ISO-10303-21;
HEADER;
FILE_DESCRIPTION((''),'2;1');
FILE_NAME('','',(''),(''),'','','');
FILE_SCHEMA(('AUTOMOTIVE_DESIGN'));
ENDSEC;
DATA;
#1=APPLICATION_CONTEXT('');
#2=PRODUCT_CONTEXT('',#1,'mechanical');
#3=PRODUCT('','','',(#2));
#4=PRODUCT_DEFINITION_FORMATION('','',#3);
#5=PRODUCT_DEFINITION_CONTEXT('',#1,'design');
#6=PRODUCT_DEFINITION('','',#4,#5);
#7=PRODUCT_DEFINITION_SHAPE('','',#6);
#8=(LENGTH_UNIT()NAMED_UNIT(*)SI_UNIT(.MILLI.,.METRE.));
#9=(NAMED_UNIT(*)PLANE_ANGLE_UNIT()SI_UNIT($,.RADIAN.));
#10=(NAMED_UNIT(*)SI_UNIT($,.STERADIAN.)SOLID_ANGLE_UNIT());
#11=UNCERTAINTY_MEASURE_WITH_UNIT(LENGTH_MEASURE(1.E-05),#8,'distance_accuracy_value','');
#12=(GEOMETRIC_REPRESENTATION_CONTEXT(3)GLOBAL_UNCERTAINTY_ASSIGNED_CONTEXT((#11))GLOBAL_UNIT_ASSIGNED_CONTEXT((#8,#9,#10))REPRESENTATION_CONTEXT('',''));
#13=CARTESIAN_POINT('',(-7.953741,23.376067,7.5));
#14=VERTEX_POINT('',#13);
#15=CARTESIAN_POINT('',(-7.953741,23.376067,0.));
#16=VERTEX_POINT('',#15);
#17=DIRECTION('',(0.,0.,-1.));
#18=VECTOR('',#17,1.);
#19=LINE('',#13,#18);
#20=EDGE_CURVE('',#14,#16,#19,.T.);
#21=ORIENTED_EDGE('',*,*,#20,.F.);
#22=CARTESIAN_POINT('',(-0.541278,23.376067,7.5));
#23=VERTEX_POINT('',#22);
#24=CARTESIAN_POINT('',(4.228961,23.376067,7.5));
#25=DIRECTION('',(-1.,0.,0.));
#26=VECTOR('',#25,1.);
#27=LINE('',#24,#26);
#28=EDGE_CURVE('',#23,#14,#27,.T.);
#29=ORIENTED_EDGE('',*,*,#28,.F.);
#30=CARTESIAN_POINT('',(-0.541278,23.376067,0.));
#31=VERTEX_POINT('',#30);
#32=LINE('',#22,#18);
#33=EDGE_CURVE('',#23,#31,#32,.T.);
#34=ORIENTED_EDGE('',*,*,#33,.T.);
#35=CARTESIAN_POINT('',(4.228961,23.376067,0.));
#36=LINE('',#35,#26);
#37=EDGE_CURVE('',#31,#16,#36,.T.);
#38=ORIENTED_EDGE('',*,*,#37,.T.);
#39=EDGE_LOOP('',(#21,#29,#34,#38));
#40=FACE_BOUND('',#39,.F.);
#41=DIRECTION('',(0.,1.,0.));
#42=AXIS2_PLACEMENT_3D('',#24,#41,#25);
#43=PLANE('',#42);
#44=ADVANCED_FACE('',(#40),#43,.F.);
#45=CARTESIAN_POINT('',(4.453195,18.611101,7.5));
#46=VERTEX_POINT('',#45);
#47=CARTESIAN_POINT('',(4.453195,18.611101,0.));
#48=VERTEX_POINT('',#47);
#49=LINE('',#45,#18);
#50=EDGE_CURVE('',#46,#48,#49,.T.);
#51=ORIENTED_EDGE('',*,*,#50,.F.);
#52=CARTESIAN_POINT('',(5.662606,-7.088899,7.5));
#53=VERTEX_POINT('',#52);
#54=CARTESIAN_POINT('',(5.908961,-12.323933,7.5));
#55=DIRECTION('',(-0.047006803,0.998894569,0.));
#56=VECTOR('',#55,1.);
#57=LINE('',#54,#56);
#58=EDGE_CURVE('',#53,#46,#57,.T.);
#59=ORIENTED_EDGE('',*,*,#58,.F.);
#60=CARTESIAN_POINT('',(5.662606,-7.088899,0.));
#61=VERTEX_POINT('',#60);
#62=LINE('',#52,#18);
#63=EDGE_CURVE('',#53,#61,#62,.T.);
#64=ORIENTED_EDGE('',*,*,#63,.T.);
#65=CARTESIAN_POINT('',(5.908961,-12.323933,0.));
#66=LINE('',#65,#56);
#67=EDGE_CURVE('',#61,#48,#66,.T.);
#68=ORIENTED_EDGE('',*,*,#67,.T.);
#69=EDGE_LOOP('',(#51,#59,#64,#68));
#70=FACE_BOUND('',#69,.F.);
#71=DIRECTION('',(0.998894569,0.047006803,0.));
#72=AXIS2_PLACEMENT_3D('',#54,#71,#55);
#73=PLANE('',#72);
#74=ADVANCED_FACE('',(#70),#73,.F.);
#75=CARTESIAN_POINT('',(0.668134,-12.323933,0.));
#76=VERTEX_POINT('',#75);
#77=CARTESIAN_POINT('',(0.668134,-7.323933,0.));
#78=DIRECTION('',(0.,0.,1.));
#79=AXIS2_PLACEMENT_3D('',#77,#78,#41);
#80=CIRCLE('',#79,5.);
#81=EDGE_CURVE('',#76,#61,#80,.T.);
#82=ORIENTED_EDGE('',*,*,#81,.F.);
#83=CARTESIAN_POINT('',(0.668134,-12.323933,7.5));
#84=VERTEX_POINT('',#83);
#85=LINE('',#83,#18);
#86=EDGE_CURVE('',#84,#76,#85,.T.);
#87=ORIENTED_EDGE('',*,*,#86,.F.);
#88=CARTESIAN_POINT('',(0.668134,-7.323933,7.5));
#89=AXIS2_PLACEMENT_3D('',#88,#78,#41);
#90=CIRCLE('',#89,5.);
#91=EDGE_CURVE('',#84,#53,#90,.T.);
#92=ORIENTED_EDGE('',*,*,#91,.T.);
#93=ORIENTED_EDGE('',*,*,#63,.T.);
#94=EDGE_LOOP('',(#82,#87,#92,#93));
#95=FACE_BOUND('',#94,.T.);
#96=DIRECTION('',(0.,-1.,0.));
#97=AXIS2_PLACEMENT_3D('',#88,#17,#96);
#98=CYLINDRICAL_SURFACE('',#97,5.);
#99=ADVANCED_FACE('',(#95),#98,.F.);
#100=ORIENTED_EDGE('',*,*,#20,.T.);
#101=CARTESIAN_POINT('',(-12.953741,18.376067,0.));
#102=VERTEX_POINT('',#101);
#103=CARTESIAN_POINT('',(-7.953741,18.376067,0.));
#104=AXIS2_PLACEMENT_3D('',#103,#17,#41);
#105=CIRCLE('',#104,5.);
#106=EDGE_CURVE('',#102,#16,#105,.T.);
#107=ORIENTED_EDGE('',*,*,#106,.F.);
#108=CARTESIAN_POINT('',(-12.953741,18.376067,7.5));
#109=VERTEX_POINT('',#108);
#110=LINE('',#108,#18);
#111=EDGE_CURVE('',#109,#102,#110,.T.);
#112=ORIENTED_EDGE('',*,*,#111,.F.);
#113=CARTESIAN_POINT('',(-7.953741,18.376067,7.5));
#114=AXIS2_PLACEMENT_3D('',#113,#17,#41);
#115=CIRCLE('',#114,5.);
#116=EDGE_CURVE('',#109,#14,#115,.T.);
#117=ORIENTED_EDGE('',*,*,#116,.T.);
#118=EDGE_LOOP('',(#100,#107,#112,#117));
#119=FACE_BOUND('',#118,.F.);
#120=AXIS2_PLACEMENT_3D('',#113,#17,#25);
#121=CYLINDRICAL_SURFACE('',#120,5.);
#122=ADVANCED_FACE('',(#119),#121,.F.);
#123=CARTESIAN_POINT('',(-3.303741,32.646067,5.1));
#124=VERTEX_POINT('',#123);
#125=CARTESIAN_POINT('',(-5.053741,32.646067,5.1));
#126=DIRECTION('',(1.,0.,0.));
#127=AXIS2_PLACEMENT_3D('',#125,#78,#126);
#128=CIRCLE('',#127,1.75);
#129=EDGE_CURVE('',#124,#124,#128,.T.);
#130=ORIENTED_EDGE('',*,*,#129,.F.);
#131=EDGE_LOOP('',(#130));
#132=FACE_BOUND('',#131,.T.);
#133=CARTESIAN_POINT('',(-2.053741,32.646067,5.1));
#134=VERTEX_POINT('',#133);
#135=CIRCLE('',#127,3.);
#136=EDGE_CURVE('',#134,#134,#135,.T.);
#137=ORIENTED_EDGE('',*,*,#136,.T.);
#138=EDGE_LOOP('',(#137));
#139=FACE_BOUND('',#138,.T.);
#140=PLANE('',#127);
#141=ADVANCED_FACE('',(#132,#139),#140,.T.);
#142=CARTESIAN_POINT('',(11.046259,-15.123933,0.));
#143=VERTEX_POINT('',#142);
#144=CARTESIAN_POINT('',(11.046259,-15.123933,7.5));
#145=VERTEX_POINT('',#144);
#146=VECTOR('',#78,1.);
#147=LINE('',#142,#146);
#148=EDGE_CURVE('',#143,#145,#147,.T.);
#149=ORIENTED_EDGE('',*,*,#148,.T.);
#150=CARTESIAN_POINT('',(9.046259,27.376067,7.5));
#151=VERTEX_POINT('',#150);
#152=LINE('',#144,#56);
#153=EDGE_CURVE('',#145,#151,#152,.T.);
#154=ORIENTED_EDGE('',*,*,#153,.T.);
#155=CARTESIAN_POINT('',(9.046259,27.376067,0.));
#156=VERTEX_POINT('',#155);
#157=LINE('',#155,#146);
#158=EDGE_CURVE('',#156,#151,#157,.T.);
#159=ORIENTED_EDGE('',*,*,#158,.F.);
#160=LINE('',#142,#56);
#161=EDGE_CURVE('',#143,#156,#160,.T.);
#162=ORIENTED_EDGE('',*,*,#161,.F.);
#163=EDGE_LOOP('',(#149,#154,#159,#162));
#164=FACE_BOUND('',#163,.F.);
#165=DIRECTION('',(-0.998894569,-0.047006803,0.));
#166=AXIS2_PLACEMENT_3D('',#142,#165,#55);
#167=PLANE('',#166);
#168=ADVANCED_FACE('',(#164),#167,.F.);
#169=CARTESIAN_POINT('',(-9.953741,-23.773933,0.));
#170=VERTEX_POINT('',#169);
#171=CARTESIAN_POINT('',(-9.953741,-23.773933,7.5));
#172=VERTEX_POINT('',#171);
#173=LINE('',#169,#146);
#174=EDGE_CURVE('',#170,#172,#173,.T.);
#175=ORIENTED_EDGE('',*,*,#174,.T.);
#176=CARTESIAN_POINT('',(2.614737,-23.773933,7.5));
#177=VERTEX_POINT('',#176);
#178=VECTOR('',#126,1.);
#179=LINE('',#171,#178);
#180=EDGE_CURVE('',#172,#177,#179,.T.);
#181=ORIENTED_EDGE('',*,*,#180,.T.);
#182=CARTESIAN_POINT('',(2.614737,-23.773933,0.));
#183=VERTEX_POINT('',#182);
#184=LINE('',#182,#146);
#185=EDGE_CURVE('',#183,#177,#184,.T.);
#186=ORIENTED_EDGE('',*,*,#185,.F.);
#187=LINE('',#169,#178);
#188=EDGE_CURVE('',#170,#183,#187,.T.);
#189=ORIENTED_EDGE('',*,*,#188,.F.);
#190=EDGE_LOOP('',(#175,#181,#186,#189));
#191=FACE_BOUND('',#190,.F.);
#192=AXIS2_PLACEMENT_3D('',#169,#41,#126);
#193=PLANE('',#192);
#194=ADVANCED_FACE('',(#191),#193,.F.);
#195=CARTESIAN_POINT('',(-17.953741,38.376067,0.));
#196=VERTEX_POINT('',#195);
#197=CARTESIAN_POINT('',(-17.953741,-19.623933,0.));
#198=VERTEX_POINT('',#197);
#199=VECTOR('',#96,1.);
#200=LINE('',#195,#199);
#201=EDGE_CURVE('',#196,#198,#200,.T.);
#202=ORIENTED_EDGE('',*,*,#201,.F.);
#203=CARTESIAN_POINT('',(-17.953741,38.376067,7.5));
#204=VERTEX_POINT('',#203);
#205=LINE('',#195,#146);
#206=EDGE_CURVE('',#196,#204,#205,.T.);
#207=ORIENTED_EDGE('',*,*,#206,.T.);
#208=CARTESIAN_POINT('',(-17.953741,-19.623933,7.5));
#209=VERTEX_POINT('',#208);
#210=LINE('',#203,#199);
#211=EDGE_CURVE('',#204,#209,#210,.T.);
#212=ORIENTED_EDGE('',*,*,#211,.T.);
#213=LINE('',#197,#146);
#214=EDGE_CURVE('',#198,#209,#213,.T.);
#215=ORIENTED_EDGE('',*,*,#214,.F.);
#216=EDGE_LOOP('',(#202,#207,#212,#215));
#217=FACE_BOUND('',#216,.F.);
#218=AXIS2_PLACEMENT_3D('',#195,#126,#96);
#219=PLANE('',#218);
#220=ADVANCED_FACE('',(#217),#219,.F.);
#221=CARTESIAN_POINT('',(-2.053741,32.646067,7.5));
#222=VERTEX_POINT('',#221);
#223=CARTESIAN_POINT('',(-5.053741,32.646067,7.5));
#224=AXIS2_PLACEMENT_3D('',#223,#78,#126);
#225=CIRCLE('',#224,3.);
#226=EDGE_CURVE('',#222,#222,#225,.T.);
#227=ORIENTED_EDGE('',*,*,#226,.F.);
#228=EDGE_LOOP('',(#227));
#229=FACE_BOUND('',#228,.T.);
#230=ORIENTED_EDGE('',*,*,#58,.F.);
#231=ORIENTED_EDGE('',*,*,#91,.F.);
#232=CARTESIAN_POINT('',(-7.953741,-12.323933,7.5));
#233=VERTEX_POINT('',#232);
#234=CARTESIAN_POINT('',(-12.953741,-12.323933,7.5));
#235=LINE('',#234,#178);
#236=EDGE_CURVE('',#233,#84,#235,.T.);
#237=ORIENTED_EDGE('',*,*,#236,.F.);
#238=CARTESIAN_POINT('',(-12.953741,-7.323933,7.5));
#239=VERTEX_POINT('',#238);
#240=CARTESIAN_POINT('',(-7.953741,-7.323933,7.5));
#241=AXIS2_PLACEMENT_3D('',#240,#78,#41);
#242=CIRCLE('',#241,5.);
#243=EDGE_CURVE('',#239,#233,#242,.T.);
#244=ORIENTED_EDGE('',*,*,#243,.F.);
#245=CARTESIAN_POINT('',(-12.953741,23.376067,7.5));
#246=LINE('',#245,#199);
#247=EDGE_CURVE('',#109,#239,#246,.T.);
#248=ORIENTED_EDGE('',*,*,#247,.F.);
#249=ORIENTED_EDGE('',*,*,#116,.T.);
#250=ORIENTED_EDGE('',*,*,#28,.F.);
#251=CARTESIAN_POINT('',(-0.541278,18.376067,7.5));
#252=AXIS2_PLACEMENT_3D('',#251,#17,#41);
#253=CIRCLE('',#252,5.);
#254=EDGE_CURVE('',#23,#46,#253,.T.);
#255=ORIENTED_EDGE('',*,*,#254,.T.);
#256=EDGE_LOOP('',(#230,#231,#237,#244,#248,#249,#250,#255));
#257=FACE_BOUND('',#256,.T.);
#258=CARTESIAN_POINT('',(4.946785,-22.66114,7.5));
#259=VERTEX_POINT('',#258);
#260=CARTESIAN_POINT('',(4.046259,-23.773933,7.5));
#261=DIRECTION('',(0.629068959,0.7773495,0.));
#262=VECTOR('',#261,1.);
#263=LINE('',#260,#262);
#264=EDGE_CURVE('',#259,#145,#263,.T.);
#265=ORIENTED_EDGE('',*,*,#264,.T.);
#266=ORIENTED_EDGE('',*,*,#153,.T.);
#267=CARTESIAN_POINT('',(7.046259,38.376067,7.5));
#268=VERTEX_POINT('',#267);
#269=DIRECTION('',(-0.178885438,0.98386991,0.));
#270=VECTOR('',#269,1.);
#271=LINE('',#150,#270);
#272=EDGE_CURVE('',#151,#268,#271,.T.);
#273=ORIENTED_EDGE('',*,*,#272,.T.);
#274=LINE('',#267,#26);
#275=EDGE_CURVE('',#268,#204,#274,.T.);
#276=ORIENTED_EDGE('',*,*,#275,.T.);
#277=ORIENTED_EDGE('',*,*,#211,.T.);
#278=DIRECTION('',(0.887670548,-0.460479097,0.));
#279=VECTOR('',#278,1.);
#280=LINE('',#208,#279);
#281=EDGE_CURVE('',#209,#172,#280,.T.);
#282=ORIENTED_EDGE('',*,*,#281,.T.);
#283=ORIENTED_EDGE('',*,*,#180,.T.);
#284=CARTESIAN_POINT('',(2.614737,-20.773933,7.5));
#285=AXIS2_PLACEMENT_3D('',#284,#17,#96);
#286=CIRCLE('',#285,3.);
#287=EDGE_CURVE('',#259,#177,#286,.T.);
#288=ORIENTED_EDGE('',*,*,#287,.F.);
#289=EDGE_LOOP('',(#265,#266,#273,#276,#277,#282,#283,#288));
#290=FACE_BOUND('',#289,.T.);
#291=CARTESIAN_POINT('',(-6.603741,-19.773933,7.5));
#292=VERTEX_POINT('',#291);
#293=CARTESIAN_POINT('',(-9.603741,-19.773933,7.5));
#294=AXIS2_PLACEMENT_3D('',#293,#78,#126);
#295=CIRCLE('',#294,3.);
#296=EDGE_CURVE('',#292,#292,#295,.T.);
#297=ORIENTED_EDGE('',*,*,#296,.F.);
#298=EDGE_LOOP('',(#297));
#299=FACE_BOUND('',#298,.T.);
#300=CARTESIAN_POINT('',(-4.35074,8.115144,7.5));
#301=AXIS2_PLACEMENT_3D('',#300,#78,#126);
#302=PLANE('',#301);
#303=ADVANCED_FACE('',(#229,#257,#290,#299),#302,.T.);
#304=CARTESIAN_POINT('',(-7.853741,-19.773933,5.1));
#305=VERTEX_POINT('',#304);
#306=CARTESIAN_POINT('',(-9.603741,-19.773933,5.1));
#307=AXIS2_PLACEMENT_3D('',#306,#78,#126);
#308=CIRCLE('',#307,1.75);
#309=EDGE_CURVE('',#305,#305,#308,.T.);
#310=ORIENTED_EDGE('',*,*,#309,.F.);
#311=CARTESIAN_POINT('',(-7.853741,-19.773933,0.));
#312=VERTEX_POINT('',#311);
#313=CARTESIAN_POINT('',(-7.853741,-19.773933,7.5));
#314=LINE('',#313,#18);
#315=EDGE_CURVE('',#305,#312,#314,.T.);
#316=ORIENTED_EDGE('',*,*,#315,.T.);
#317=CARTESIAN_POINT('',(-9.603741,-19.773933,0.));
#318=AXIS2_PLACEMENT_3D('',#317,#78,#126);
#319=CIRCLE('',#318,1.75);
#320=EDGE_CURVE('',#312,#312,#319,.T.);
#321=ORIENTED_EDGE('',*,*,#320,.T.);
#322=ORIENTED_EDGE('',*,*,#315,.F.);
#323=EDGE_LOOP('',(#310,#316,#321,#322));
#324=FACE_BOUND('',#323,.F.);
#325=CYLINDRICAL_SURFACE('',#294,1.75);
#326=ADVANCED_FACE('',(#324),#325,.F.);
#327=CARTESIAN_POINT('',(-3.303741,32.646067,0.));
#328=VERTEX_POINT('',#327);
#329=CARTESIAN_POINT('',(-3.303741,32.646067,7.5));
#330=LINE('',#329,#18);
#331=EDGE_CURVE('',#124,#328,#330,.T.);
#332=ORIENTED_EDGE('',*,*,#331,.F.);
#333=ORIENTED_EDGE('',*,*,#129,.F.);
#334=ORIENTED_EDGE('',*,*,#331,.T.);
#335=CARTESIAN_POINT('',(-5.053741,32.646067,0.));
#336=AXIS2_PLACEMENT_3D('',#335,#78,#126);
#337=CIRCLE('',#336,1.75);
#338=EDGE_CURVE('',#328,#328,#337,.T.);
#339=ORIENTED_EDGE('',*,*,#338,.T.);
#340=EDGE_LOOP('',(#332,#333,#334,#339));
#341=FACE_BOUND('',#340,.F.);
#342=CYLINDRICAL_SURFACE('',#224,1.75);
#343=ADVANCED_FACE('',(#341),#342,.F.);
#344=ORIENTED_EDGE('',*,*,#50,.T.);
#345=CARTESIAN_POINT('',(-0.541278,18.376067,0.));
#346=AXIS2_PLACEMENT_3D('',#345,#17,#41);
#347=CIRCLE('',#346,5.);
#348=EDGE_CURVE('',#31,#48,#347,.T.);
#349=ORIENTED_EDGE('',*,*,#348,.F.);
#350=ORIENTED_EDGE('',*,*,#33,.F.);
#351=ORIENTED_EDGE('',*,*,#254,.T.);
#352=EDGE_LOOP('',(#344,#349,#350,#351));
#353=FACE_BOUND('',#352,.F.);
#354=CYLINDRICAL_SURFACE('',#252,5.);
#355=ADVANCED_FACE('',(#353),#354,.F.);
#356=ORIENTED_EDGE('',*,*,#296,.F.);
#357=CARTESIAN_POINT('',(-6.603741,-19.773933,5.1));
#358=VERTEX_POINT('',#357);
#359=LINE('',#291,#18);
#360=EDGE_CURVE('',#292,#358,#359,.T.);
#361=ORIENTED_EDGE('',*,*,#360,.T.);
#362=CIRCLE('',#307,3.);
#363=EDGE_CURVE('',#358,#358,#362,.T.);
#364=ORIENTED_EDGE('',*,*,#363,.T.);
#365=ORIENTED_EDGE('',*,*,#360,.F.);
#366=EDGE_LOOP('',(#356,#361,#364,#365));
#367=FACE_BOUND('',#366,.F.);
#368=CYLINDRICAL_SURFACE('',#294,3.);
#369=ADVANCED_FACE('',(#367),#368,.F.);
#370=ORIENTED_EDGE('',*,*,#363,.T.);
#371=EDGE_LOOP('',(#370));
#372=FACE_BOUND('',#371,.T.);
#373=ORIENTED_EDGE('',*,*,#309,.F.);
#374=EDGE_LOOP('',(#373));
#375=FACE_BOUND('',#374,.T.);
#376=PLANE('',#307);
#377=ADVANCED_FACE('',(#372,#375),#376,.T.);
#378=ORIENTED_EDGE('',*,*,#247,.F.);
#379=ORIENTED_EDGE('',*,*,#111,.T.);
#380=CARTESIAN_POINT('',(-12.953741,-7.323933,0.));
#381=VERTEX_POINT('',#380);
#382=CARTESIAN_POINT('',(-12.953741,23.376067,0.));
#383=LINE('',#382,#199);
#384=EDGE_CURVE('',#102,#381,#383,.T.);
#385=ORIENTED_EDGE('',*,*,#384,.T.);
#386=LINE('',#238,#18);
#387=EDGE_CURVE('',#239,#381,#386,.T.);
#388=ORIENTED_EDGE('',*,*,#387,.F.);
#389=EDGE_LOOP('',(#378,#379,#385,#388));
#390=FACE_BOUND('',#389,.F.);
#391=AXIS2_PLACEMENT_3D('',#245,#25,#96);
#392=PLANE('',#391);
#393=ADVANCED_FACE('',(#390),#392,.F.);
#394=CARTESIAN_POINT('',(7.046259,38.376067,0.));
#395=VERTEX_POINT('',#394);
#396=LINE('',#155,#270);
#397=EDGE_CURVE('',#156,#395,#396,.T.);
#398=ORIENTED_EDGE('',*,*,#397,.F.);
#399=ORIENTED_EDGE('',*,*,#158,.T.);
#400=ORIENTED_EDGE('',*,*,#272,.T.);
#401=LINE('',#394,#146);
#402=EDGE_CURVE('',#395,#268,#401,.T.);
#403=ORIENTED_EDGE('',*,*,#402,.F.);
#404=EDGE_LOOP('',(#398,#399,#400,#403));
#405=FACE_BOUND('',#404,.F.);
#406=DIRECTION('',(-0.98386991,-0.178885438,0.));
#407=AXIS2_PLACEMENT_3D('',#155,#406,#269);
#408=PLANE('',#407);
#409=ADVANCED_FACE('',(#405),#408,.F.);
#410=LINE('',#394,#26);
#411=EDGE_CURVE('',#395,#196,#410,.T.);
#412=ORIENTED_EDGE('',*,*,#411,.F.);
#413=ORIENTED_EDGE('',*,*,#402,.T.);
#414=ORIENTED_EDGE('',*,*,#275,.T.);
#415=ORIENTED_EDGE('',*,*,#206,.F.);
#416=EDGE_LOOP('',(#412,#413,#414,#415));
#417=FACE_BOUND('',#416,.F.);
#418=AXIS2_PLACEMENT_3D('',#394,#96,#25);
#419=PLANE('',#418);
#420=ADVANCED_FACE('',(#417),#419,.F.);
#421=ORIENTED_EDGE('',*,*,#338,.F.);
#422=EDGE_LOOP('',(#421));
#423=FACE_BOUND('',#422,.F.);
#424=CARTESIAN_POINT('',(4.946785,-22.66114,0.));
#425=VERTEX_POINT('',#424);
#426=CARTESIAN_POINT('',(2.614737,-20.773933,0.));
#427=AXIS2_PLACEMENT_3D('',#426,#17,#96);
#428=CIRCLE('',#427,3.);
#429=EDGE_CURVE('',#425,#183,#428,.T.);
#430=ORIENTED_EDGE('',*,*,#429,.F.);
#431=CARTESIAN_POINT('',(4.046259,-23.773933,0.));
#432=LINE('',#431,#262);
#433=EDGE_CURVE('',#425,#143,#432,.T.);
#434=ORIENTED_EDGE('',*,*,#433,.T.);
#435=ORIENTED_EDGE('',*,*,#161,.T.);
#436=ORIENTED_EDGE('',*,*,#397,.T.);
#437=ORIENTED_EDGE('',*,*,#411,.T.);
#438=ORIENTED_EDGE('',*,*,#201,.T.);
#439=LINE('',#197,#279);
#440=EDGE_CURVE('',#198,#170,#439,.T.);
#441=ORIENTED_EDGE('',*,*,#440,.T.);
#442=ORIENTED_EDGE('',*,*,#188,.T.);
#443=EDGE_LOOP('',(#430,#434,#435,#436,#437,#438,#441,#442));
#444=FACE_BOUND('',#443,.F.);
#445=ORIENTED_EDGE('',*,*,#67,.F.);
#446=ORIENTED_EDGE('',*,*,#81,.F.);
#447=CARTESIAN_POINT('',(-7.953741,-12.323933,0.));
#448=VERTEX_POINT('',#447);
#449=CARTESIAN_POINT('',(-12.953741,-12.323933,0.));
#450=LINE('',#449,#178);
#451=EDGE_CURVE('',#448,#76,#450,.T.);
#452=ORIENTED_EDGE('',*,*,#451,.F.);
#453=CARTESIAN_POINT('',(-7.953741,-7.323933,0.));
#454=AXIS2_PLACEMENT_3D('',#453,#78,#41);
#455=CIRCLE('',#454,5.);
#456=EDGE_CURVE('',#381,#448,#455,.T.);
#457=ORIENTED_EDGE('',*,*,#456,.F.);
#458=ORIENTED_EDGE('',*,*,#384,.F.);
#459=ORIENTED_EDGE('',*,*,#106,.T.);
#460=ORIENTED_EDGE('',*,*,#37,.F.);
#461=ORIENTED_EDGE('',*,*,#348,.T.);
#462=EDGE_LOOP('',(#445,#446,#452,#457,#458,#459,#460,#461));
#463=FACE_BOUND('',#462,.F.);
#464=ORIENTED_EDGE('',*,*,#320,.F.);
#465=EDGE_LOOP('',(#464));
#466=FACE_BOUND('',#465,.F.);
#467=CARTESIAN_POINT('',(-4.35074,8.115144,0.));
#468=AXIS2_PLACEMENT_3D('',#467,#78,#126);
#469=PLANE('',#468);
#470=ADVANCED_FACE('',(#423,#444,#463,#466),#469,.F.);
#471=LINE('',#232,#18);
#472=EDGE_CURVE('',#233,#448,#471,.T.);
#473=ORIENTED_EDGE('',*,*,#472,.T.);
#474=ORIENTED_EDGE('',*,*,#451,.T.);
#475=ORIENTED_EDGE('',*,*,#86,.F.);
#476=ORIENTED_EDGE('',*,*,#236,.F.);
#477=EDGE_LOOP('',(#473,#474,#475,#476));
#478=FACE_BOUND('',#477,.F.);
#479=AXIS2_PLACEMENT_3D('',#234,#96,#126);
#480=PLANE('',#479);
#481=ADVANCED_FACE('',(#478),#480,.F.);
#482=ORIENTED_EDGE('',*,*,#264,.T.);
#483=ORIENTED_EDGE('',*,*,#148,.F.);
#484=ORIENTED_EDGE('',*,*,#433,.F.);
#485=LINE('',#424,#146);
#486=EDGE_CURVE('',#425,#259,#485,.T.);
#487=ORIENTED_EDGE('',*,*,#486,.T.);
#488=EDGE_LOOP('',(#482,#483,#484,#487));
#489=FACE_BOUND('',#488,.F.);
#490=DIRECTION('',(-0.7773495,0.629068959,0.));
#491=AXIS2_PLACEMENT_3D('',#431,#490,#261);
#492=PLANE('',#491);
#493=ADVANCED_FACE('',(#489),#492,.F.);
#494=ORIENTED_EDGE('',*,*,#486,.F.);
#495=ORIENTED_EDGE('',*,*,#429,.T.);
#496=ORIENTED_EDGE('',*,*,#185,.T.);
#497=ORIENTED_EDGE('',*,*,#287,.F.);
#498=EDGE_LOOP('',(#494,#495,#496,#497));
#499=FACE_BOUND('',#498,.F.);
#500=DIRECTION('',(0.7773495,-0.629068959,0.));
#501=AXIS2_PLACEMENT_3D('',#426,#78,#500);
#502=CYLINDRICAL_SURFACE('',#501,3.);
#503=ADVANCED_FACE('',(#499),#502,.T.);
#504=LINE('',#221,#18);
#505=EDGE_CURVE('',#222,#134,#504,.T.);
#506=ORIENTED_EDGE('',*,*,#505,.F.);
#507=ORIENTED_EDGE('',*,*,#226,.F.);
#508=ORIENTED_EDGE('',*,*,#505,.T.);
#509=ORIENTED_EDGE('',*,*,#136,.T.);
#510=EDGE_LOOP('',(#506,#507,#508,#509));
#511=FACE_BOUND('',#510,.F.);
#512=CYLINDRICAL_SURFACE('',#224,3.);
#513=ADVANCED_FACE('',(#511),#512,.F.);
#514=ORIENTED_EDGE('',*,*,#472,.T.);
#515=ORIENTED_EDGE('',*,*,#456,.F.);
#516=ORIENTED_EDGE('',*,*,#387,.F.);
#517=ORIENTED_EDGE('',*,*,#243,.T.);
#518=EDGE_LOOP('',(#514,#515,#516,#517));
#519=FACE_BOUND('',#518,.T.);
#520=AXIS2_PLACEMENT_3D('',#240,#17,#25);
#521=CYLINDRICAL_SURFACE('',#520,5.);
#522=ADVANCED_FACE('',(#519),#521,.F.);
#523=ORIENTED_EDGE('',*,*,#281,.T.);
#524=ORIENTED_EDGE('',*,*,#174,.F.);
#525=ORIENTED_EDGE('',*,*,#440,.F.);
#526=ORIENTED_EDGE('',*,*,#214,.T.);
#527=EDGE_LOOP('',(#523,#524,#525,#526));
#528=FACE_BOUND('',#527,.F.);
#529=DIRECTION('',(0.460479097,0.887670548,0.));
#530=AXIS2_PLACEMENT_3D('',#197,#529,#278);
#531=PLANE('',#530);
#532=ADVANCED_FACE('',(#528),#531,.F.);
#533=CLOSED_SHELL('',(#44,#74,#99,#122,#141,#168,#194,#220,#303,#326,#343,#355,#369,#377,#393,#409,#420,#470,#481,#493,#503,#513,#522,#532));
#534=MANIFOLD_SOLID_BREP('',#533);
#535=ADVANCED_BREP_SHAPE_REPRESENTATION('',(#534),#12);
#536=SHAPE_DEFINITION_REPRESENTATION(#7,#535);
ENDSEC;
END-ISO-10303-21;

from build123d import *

# Parameters (mm, degrees)
F1_DEPTH = 7.5
F3_DEPTH = 7.5
F4_R     = 1.75
F5_DEPTH = 7.5
F6_R     = 3
F7_DEPTH = 2.4
F8_R     = 3
F9_R     = 5
F10_R    = 5
F11_R    = 5
F12_R    = 5


with BuildPart() as f1:
    # F0 (on Top) → F1 (new body)
    with BuildSketch(Plane.XY):
        Polygon((7.046259, 38.376067), (-17.953741, 38.376067), (-17.953741, -19.623933), (-9.953741, -23.773933), (4.046259, -23.773933), (11.046259, -15.123933), (9.046259, 27.376067), align=None)
    extrude(amount=F1_DEPTH)

    # F2 (on face) → F3 (cut, through all)
    with BuildSketch(Plane.XY.offset(7.5)):
        Polygon((4.228961, 23.376067), (-12.953741, 23.376067), (-12.953741, -12.323933), (5.908961, -12.323933), align=None)
    extrude(amount=-F3_DEPTH, mode=Mode.SUBTRACT)

    # F4 (on face) → F5 (cut, through all)
    with BuildSketch(Plane.XY.offset(7.5)):
        with Locations((-5.053741, 32.646067)):
            Circle(F4_R)
        with Locations((-9.603741, -19.773933)):
            Circle(F4_R)
    extrude(amount=-F5_DEPTH, mode=Mode.SUBTRACT)

    # F6 (on face) → F7 (cut)
    with BuildSketch(Plane.XY.offset(7.5)):
        with Locations((-5.053741, 32.646067)):
            Circle(F6_R)
        with Locations((-9.603741, -19.773933)):
            Circle(F6_R)
    extrude(amount=-F7_DEPTH, mode=Mode.SUBTRACT)

    # F8
    f8_edges = [f1.edges().sort_by_distance(p)[0] for p in [
        (4.046259, -23.773933, 3.75),
    ]]
    fillet(f8_edges, radius=F8_R)

    # F9
    f9_edges = [f1.edges().sort_by_distance(p)[0] for p in [
        (-12.953741, -12.323933, 3.75),
    ]]
    fillet(f9_edges, radius=F9_R)

    # F10
    f10_edges = [f1.edges().sort_by_distance(p)[0] for p in [
        (5.908961, -12.323933, 3.75),
    ]]
    fillet(f10_edges, radius=F10_R)

    # F11
    f11_edges = [f1.edges().sort_by_distance(p)[0] for p in [
        (-12.953741, 23.376067, 3.75),
    ]]
    fillet(f11_edges, radius=F11_R)

    # F12
    f12_edges = [f1.edges().sort_by_distance(p)[0] for p in [
        (4.228961, 23.376067, 3.75),
    ]]
    fillet(f12_edges, radius=F12_R)


solid = f1.part
